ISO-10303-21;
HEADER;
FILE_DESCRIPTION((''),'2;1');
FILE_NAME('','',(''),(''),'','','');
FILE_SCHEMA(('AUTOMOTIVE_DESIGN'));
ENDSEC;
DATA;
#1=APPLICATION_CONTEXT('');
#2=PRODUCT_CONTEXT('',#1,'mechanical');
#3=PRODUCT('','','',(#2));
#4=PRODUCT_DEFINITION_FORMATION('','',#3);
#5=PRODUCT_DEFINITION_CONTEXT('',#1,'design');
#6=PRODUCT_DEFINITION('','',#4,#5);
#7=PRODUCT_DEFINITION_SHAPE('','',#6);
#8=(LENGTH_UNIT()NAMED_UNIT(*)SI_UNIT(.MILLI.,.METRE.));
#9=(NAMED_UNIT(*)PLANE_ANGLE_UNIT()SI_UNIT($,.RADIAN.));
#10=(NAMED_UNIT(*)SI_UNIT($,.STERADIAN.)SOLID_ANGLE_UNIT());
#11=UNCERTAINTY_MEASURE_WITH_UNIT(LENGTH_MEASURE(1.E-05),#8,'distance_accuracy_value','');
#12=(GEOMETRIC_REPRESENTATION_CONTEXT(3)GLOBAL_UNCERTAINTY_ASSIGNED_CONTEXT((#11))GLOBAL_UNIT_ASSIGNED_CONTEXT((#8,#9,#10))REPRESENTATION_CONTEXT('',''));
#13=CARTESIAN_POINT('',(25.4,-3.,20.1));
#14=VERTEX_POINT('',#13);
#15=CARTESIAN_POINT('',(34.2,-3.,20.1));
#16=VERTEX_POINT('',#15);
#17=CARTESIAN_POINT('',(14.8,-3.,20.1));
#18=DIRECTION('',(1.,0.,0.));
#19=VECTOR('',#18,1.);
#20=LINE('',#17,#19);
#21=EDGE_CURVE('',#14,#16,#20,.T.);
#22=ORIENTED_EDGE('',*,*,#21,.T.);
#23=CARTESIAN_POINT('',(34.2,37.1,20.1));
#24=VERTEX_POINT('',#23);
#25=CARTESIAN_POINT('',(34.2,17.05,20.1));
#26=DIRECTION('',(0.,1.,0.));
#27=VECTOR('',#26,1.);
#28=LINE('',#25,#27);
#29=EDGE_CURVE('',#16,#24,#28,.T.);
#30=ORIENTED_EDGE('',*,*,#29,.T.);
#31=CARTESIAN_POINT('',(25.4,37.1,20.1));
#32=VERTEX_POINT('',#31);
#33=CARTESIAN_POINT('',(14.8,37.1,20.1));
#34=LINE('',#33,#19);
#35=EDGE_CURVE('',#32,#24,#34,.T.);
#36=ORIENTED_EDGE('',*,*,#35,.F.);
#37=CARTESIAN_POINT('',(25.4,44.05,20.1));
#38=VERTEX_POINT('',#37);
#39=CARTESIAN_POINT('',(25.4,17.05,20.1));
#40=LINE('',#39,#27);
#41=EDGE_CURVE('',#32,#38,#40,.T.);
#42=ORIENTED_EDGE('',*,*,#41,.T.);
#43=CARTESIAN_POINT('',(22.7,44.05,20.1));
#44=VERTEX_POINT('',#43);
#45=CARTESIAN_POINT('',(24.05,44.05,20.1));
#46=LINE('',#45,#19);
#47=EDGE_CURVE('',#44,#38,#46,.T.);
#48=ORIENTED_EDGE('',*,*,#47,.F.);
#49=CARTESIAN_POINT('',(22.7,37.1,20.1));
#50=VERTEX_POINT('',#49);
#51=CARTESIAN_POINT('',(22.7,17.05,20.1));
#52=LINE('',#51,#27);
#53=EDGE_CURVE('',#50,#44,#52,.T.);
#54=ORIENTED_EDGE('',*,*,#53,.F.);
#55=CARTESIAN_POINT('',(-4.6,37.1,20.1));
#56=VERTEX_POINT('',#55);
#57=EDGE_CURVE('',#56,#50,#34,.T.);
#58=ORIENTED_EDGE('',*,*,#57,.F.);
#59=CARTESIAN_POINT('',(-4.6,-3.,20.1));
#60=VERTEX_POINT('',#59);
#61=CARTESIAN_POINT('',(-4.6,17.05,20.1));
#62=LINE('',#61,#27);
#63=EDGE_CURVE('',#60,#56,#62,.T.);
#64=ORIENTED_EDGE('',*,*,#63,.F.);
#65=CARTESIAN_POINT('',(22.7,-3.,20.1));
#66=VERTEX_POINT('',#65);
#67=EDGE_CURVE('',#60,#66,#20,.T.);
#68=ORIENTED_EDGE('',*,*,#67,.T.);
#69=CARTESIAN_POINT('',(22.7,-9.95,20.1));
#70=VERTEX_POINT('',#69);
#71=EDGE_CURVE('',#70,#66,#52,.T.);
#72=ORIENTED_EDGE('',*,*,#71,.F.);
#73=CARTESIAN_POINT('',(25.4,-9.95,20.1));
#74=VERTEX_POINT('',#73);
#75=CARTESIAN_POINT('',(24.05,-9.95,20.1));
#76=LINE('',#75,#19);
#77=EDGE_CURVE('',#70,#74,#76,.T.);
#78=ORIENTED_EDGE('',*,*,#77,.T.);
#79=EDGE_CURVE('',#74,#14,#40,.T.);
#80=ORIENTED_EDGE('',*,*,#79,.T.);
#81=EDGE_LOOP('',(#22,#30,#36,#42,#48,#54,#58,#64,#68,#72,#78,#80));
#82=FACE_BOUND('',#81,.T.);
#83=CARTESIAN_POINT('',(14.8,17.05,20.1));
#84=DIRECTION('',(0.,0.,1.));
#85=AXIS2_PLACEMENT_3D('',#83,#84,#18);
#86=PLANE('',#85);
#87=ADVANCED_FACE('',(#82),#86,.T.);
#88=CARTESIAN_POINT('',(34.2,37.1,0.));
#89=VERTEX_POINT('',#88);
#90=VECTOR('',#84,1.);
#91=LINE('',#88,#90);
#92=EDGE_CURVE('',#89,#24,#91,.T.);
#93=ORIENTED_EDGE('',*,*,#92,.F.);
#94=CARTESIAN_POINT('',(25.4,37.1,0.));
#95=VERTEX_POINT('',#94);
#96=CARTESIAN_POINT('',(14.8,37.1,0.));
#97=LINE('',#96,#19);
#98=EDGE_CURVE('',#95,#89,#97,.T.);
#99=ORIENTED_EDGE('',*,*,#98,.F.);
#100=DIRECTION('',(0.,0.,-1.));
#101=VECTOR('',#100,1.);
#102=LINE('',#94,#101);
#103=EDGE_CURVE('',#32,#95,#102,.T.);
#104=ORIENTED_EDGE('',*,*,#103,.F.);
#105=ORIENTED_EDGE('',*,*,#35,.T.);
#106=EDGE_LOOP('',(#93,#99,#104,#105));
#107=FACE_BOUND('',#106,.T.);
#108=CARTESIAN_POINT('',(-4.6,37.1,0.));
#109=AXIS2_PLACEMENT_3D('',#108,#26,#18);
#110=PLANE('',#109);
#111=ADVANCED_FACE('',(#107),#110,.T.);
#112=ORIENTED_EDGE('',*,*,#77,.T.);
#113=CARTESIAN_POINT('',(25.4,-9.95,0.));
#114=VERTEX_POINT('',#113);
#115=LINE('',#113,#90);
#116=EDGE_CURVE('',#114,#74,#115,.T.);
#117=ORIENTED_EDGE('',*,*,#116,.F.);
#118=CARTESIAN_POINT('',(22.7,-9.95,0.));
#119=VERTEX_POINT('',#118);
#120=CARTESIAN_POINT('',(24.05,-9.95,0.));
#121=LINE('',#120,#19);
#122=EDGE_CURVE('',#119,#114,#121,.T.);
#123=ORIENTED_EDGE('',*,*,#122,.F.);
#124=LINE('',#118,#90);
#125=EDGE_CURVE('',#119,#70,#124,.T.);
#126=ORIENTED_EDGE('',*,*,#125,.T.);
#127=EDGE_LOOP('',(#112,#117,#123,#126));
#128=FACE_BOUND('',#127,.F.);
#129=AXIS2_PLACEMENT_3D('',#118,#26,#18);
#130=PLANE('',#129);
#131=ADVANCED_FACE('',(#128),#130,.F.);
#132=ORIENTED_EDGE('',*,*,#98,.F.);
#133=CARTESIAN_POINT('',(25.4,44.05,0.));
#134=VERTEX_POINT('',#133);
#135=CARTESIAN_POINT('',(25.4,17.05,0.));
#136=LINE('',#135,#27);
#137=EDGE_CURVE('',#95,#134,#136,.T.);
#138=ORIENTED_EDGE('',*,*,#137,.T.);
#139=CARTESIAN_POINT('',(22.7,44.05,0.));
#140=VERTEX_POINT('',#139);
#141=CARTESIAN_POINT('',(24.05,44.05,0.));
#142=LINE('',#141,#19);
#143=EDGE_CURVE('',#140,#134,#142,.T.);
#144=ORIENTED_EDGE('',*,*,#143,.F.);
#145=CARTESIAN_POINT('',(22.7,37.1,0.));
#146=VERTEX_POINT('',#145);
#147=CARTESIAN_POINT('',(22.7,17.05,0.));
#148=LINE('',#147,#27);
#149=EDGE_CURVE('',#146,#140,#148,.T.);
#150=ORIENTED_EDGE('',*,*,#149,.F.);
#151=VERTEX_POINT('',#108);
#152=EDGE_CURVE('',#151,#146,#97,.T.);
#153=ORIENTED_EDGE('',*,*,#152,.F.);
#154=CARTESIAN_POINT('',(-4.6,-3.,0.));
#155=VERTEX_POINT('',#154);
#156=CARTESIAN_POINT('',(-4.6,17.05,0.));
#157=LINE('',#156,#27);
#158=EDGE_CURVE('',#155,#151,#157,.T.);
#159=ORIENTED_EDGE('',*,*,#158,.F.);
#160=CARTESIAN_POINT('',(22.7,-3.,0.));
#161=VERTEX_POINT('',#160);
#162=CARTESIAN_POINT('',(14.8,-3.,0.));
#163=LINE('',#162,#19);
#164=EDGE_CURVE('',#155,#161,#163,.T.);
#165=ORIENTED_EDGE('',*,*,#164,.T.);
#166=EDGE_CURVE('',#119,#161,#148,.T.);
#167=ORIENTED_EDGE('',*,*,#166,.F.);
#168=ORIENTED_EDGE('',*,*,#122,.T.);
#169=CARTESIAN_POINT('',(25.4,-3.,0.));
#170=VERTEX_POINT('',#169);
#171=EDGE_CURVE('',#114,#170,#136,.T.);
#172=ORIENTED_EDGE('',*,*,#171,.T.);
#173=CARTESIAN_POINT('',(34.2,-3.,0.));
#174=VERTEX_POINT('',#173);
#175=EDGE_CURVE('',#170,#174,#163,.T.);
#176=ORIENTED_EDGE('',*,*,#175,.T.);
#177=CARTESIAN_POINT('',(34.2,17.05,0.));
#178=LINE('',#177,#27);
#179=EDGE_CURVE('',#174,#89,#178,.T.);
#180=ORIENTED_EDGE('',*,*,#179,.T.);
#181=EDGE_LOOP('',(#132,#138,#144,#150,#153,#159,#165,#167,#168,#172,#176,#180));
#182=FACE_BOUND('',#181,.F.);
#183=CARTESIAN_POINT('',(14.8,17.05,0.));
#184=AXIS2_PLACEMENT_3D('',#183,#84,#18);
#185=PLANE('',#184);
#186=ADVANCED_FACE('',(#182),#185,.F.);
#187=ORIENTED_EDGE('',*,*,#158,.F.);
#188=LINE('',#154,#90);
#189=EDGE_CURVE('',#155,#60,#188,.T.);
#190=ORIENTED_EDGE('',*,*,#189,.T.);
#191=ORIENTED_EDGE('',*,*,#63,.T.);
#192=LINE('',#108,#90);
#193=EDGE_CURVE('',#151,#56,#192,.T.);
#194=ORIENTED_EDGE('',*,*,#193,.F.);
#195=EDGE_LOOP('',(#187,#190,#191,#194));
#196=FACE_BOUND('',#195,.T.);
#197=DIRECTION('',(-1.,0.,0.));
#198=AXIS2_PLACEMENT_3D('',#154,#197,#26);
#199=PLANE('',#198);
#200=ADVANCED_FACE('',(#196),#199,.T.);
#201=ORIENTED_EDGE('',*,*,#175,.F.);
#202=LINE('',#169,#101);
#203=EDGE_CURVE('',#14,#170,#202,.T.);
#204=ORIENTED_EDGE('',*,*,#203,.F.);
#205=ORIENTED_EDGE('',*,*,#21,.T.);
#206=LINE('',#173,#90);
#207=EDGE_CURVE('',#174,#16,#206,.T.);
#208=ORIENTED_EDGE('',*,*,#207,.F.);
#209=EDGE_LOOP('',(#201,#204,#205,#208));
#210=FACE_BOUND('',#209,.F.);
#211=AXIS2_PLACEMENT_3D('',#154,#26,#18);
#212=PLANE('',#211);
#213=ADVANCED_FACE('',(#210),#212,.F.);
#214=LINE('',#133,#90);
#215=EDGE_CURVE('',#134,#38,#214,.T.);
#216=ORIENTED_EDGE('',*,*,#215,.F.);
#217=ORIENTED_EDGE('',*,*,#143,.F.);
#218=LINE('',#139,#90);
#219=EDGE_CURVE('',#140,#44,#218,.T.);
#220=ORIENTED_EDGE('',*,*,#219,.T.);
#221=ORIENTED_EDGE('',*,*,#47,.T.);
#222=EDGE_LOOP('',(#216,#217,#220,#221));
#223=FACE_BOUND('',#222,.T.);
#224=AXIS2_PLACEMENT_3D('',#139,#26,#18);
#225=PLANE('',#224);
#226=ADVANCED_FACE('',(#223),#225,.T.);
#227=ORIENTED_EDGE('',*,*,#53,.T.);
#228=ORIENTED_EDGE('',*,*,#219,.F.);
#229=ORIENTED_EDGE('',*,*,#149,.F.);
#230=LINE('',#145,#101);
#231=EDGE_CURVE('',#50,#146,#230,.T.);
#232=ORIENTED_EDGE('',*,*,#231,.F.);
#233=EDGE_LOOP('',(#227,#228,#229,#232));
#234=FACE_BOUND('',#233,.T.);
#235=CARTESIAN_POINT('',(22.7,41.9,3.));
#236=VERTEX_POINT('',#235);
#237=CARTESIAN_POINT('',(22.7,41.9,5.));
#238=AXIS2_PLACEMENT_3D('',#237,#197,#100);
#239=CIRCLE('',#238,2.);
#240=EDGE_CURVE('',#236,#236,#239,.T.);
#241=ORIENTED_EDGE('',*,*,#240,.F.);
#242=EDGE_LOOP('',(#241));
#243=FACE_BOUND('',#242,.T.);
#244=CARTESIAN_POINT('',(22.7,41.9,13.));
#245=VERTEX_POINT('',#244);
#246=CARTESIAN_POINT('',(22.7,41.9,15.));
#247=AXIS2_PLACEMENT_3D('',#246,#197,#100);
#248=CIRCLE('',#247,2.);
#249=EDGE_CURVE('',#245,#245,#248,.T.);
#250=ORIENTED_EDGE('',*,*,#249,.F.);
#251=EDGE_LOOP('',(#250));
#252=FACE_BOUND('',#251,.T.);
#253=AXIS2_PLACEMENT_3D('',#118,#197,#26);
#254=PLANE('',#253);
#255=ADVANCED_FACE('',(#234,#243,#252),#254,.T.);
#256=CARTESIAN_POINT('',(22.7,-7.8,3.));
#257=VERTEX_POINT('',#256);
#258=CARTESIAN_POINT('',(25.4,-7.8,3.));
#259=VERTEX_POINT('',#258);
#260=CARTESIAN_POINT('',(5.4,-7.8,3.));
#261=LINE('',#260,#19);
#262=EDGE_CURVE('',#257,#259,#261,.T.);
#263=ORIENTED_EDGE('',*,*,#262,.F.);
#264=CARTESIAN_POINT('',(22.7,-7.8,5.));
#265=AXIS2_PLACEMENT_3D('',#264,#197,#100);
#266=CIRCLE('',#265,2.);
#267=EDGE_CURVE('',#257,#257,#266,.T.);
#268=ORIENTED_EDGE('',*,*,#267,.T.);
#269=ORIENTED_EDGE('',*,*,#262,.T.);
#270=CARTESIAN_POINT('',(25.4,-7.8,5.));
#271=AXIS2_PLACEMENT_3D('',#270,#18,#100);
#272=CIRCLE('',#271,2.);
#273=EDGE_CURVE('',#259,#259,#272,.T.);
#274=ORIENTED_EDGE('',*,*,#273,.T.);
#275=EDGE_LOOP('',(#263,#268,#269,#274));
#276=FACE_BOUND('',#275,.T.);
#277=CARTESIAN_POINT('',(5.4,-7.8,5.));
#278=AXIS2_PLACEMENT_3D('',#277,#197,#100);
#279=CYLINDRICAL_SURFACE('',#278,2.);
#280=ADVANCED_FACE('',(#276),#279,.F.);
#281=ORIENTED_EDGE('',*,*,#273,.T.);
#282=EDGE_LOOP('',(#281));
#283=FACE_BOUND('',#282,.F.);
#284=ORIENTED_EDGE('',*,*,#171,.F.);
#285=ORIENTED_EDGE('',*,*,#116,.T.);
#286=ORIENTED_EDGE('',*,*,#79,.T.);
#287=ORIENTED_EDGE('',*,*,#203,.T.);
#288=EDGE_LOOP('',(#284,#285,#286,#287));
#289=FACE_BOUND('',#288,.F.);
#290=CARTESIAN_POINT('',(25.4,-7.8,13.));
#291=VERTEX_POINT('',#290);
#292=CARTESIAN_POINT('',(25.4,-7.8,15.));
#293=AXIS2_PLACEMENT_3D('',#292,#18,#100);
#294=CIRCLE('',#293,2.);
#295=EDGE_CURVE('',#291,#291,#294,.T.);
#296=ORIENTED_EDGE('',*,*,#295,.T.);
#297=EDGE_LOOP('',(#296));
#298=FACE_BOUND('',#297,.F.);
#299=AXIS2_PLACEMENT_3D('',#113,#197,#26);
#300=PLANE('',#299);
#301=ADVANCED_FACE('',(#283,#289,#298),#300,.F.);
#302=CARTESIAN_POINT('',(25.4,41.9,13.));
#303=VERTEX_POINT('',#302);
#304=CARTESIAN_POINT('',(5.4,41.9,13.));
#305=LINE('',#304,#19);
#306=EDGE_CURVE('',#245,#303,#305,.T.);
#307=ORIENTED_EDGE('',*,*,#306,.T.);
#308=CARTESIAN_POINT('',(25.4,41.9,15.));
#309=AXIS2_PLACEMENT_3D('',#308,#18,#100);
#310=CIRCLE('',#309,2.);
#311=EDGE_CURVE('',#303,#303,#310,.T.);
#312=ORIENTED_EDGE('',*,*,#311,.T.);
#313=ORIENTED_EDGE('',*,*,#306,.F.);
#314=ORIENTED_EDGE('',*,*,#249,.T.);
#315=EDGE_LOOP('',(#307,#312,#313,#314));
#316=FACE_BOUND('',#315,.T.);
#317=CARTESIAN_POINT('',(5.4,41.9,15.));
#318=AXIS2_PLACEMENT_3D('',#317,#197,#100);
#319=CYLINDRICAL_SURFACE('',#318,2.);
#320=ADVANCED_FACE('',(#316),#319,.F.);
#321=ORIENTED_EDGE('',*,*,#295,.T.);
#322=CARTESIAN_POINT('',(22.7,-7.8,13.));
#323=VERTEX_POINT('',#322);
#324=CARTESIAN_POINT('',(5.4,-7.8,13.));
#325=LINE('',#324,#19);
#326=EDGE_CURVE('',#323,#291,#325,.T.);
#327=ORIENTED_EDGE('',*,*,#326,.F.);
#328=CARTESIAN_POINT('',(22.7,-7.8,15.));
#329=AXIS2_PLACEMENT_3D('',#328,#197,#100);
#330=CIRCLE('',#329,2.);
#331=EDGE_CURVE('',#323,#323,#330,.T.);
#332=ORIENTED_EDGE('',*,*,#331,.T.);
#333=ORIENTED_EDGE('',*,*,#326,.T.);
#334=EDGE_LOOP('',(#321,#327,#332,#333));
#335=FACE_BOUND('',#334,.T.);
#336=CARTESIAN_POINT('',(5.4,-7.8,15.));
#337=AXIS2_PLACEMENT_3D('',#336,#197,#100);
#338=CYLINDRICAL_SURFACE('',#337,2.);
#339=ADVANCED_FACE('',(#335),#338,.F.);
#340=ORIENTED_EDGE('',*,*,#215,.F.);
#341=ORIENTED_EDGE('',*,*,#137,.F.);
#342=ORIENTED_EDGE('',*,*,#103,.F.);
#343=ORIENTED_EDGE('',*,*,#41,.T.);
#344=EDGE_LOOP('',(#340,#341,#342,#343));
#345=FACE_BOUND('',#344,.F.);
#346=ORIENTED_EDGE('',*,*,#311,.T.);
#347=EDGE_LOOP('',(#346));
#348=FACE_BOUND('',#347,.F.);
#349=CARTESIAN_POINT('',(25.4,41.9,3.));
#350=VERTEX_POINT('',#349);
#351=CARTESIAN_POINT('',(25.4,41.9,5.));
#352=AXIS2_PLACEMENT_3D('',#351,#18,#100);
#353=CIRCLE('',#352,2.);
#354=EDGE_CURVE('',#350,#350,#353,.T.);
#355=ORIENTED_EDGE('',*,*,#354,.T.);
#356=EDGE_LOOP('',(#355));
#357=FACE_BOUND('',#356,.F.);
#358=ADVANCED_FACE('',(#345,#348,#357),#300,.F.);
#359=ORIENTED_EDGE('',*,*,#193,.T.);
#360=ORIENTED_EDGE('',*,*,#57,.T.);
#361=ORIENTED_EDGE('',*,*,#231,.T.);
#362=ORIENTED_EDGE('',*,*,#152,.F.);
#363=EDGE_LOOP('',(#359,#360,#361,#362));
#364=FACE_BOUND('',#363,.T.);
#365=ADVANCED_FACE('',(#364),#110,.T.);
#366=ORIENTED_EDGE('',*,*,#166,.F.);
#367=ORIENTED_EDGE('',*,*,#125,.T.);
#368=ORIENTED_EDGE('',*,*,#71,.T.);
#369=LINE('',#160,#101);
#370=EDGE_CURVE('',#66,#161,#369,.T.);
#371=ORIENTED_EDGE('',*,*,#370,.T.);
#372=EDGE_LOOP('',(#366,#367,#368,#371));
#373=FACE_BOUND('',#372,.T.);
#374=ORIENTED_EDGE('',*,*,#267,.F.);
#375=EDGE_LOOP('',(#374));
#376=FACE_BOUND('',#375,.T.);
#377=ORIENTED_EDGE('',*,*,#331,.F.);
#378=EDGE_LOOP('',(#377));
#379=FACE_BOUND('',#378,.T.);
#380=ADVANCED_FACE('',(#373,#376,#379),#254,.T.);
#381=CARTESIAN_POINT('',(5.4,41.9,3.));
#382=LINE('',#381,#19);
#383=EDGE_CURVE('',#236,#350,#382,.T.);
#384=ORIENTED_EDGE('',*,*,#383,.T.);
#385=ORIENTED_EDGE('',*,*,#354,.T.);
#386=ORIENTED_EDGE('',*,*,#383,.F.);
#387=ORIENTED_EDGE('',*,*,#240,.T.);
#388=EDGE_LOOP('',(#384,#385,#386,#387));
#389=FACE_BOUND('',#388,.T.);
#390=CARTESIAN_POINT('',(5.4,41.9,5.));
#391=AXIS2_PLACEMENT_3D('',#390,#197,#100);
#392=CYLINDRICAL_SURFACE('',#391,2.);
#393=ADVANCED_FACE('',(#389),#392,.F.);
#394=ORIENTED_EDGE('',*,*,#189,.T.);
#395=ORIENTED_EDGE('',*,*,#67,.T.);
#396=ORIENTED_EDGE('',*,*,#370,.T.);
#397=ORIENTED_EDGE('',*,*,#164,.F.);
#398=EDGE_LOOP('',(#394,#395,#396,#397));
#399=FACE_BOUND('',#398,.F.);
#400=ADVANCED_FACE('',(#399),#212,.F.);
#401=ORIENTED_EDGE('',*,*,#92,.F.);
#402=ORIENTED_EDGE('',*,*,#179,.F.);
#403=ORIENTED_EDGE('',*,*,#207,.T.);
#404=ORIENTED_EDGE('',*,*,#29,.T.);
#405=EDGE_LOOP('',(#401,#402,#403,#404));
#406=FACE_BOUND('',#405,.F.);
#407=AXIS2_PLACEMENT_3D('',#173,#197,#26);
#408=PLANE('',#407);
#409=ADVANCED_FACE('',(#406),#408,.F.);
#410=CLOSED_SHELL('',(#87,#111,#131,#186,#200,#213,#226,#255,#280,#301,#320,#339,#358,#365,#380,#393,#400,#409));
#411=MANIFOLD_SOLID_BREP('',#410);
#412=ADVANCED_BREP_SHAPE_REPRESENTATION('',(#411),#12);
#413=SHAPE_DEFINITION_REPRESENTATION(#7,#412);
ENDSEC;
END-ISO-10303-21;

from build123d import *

# Parameters (mm, degrees)
CYLINDER166_R     = 2
CYLINDER166_DEPTH = 20
CYLINDER165_R     = 2
CYLINDER165_DEPTH = 20
CYLINDER163_R     = 2
CYLINDER163_DEPTH = 20
CYLINDER164_R     = 2
CYLINDER164_DEPTH = 20
BOX227_W          = 38.8
BOX227_H          = 40.1
BOX227_DEPTH      = 20.1
BOX076_W          = 2.7
BOX076_H          = 54
BOX076_DEPTH      = 20.1


with BuildPart() as cylinder166:
    # Cylinder166 → Cylinder166 (new body)
    with BuildSketch(Plane(origin=(9.4, 2.2, 5), x_dir=(0, 0, -1), z_dir=(1, 0, 0))):
        Circle(CYLINDER166_R)
    extrude(amount=CYLINDER166_DEPTH)


with BuildPart() as cylinder165:
    # Cylinder165 → Cylinder165 (new body)
    with BuildSketch(Plane(origin=(9.4, 2.2, 15), x_dir=(0, 0, -1), z_dir=(1, 0, 0))):
        Circle(CYLINDER165_R)
    extrude(amount=CYLINDER165_DEPTH)


with BuildPart() as cylinder163:
    # Cylinder163 → Cylinder163 (new body)
    with BuildSketch(Plane(origin=(9.4, 51.9, 5), x_dir=(0, 0, -1), z_dir=(1, 0, 0))):
        Circle(CYLINDER163_R)
    extrude(amount=CYLINDER163_DEPTH)


with BuildPart() as cylinder164:
    # Cylinder164 → Cylinder164 (new body)
    with BuildSketch(Plane(origin=(9.4, 51.9, 15), x_dir=(0, 0, -1), z_dir=(1, 0, 0))):
        Circle(CYLINDER164_R)
    extrude(amount=CYLINDER164_DEPTH)


with BuildPart() as box227:
    # Box227 → Box227 (new body)
    with BuildSketch(Plane(origin=(82, -93, 0), x_dir=(1, 0, 0), z_dir=(0, 0, 1))):
        with Locations((19.4, 20.05)):
            Rectangle(BOX227_W, BOX227_H)
    extrude(amount=BOX227_DEPTH)


with BuildPart() as cut119:
    # Box076 → Box076 (new body)
    with BuildSketch(Plane(origin=(109.3, -99.95, 0), x_dir=(1, 0, 0), z_dir=(0, 0, 1))):
        with Locations((1.35, 27)):
            Rectangle(BOX076_W, BOX076_H)
    extrude(amount=BOX076_DEPTH)

    # Fusion087: union Box227
    add(box227.part)


with BuildPart() as cut119_1:
    # Fusion087 placement: moved
    add(cut119.part.moved(Location((-82.6, 100, 0))))

    # Cut116: cut Cylinder164
    add(cylinder164.part, mode=Mode.SUBTRACT)

    # Cut117: cut Cylinder163
    add(cylinder163.part, mode=Mode.SUBTRACT)

    # Cut118: cut Cylinder165
    add(cylinder165.part, mode=Mode.SUBTRACT)

    # Cut119: cut Cylinder166
    add(cylinder166.part, mode=Mode.SUBTRACT)


with BuildPart() as cut119_2:
    # Cut119 placement: moved
    add(cut119_1.part.moved(Location((-4, -10, 0))))


solid = cut119_2.part
